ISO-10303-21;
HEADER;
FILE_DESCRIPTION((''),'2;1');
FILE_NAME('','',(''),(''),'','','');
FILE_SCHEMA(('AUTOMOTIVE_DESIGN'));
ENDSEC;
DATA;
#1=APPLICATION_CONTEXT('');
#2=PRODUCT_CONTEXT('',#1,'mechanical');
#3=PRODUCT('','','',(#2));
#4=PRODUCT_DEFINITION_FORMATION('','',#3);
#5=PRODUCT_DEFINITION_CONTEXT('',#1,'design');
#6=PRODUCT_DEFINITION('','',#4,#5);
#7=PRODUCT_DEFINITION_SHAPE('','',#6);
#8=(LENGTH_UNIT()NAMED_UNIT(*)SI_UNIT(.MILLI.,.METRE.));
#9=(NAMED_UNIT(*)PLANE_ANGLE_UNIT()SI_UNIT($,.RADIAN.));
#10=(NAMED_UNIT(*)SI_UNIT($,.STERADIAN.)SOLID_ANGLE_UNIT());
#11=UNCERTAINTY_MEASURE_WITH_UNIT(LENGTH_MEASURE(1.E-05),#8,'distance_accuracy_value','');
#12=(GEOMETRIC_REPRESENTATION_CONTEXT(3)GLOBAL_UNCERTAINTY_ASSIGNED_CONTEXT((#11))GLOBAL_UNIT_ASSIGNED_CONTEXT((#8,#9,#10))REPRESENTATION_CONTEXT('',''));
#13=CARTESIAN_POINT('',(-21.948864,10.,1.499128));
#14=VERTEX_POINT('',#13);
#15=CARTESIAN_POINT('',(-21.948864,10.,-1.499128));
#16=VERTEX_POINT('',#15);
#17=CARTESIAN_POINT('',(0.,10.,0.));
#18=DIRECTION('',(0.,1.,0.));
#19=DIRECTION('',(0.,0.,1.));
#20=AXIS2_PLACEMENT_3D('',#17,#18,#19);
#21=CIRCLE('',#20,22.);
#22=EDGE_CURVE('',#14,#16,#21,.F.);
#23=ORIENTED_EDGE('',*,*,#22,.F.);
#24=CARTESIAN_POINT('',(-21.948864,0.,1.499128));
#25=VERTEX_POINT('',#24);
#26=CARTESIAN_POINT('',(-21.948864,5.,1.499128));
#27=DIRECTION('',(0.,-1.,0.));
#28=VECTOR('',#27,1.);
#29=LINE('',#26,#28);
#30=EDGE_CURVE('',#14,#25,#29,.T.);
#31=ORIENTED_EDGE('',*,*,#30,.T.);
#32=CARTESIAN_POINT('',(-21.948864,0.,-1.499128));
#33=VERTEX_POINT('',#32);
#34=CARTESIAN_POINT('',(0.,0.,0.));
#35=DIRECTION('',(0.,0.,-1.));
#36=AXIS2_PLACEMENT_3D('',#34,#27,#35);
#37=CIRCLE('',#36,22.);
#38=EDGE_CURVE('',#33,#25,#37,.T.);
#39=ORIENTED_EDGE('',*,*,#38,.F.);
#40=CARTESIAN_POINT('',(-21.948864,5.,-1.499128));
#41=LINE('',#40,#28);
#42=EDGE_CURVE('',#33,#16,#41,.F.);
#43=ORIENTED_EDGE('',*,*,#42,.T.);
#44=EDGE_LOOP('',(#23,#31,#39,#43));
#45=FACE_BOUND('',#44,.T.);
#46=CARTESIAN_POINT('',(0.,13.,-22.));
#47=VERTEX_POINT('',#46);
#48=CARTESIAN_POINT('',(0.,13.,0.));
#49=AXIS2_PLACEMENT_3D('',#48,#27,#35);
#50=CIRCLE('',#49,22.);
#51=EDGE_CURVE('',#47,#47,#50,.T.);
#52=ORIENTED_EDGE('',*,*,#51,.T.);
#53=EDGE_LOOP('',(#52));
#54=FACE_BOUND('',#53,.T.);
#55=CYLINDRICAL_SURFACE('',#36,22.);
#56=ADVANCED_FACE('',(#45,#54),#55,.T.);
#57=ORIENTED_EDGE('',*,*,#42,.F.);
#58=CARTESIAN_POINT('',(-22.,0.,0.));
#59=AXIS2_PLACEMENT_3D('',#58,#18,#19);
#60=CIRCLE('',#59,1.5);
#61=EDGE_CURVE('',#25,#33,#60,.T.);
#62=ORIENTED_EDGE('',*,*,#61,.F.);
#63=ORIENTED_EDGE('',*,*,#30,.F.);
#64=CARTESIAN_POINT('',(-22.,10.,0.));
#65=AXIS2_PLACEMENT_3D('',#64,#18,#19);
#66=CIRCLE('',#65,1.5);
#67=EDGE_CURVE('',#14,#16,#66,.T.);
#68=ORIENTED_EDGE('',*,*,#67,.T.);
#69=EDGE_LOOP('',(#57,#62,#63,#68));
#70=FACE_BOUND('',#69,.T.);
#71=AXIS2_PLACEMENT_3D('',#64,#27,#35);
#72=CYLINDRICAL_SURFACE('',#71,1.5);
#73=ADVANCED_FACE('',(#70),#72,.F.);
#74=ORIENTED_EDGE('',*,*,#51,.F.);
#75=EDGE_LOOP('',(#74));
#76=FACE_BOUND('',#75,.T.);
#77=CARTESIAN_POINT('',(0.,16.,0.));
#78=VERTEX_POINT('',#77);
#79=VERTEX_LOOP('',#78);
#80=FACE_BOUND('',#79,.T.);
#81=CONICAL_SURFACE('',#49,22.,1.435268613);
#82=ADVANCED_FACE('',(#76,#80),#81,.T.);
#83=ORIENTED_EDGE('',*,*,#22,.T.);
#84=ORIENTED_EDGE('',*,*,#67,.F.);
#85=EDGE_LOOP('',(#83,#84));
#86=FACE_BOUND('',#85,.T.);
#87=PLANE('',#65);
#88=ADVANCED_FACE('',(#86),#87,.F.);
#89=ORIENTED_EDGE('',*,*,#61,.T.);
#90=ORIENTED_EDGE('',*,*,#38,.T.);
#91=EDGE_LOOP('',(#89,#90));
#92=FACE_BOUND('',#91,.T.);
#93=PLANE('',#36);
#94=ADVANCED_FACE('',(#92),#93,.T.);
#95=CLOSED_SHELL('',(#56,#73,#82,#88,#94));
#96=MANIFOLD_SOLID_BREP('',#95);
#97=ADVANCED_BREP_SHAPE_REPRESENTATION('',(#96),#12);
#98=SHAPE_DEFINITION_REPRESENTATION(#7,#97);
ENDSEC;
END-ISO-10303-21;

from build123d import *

# Parameters (mm, degrees)
SKETCH3_R          = 1.5
CUT_EXTRUDE1_DEPTH = 10


with BuildPart() as part:
    # Sketch2 → Revolve1 (revolve)
    with BuildSketch(Plane.XY, mode=Mode.PRIVATE) as revolve1_sk:
        Polygon((0, 0), (22, 0), (22, 13), (0, 16), align=None)
    revolve(revolve1_sk.sketch.rotate(Axis((0, 0, 0), (0, 1, 0)), 90), axis=Axis((0, 0, 0), (0, 1, 0)))  # turned: the seam where the file's is

    # Sketch3 → Cut-Extrude1 (cut)
    with BuildSketch(Plane(origin=(0, 0, 0), x_dir=(1, 0, 0), z_dir=(0, 1, 0))):
        with Locations((-22, 0)):
            Circle(SKETCH3_R)
    extrude(amount=CUT_EXTRUDE1_DEPTH, mode=Mode.SUBTRACT)


solid = part.part
